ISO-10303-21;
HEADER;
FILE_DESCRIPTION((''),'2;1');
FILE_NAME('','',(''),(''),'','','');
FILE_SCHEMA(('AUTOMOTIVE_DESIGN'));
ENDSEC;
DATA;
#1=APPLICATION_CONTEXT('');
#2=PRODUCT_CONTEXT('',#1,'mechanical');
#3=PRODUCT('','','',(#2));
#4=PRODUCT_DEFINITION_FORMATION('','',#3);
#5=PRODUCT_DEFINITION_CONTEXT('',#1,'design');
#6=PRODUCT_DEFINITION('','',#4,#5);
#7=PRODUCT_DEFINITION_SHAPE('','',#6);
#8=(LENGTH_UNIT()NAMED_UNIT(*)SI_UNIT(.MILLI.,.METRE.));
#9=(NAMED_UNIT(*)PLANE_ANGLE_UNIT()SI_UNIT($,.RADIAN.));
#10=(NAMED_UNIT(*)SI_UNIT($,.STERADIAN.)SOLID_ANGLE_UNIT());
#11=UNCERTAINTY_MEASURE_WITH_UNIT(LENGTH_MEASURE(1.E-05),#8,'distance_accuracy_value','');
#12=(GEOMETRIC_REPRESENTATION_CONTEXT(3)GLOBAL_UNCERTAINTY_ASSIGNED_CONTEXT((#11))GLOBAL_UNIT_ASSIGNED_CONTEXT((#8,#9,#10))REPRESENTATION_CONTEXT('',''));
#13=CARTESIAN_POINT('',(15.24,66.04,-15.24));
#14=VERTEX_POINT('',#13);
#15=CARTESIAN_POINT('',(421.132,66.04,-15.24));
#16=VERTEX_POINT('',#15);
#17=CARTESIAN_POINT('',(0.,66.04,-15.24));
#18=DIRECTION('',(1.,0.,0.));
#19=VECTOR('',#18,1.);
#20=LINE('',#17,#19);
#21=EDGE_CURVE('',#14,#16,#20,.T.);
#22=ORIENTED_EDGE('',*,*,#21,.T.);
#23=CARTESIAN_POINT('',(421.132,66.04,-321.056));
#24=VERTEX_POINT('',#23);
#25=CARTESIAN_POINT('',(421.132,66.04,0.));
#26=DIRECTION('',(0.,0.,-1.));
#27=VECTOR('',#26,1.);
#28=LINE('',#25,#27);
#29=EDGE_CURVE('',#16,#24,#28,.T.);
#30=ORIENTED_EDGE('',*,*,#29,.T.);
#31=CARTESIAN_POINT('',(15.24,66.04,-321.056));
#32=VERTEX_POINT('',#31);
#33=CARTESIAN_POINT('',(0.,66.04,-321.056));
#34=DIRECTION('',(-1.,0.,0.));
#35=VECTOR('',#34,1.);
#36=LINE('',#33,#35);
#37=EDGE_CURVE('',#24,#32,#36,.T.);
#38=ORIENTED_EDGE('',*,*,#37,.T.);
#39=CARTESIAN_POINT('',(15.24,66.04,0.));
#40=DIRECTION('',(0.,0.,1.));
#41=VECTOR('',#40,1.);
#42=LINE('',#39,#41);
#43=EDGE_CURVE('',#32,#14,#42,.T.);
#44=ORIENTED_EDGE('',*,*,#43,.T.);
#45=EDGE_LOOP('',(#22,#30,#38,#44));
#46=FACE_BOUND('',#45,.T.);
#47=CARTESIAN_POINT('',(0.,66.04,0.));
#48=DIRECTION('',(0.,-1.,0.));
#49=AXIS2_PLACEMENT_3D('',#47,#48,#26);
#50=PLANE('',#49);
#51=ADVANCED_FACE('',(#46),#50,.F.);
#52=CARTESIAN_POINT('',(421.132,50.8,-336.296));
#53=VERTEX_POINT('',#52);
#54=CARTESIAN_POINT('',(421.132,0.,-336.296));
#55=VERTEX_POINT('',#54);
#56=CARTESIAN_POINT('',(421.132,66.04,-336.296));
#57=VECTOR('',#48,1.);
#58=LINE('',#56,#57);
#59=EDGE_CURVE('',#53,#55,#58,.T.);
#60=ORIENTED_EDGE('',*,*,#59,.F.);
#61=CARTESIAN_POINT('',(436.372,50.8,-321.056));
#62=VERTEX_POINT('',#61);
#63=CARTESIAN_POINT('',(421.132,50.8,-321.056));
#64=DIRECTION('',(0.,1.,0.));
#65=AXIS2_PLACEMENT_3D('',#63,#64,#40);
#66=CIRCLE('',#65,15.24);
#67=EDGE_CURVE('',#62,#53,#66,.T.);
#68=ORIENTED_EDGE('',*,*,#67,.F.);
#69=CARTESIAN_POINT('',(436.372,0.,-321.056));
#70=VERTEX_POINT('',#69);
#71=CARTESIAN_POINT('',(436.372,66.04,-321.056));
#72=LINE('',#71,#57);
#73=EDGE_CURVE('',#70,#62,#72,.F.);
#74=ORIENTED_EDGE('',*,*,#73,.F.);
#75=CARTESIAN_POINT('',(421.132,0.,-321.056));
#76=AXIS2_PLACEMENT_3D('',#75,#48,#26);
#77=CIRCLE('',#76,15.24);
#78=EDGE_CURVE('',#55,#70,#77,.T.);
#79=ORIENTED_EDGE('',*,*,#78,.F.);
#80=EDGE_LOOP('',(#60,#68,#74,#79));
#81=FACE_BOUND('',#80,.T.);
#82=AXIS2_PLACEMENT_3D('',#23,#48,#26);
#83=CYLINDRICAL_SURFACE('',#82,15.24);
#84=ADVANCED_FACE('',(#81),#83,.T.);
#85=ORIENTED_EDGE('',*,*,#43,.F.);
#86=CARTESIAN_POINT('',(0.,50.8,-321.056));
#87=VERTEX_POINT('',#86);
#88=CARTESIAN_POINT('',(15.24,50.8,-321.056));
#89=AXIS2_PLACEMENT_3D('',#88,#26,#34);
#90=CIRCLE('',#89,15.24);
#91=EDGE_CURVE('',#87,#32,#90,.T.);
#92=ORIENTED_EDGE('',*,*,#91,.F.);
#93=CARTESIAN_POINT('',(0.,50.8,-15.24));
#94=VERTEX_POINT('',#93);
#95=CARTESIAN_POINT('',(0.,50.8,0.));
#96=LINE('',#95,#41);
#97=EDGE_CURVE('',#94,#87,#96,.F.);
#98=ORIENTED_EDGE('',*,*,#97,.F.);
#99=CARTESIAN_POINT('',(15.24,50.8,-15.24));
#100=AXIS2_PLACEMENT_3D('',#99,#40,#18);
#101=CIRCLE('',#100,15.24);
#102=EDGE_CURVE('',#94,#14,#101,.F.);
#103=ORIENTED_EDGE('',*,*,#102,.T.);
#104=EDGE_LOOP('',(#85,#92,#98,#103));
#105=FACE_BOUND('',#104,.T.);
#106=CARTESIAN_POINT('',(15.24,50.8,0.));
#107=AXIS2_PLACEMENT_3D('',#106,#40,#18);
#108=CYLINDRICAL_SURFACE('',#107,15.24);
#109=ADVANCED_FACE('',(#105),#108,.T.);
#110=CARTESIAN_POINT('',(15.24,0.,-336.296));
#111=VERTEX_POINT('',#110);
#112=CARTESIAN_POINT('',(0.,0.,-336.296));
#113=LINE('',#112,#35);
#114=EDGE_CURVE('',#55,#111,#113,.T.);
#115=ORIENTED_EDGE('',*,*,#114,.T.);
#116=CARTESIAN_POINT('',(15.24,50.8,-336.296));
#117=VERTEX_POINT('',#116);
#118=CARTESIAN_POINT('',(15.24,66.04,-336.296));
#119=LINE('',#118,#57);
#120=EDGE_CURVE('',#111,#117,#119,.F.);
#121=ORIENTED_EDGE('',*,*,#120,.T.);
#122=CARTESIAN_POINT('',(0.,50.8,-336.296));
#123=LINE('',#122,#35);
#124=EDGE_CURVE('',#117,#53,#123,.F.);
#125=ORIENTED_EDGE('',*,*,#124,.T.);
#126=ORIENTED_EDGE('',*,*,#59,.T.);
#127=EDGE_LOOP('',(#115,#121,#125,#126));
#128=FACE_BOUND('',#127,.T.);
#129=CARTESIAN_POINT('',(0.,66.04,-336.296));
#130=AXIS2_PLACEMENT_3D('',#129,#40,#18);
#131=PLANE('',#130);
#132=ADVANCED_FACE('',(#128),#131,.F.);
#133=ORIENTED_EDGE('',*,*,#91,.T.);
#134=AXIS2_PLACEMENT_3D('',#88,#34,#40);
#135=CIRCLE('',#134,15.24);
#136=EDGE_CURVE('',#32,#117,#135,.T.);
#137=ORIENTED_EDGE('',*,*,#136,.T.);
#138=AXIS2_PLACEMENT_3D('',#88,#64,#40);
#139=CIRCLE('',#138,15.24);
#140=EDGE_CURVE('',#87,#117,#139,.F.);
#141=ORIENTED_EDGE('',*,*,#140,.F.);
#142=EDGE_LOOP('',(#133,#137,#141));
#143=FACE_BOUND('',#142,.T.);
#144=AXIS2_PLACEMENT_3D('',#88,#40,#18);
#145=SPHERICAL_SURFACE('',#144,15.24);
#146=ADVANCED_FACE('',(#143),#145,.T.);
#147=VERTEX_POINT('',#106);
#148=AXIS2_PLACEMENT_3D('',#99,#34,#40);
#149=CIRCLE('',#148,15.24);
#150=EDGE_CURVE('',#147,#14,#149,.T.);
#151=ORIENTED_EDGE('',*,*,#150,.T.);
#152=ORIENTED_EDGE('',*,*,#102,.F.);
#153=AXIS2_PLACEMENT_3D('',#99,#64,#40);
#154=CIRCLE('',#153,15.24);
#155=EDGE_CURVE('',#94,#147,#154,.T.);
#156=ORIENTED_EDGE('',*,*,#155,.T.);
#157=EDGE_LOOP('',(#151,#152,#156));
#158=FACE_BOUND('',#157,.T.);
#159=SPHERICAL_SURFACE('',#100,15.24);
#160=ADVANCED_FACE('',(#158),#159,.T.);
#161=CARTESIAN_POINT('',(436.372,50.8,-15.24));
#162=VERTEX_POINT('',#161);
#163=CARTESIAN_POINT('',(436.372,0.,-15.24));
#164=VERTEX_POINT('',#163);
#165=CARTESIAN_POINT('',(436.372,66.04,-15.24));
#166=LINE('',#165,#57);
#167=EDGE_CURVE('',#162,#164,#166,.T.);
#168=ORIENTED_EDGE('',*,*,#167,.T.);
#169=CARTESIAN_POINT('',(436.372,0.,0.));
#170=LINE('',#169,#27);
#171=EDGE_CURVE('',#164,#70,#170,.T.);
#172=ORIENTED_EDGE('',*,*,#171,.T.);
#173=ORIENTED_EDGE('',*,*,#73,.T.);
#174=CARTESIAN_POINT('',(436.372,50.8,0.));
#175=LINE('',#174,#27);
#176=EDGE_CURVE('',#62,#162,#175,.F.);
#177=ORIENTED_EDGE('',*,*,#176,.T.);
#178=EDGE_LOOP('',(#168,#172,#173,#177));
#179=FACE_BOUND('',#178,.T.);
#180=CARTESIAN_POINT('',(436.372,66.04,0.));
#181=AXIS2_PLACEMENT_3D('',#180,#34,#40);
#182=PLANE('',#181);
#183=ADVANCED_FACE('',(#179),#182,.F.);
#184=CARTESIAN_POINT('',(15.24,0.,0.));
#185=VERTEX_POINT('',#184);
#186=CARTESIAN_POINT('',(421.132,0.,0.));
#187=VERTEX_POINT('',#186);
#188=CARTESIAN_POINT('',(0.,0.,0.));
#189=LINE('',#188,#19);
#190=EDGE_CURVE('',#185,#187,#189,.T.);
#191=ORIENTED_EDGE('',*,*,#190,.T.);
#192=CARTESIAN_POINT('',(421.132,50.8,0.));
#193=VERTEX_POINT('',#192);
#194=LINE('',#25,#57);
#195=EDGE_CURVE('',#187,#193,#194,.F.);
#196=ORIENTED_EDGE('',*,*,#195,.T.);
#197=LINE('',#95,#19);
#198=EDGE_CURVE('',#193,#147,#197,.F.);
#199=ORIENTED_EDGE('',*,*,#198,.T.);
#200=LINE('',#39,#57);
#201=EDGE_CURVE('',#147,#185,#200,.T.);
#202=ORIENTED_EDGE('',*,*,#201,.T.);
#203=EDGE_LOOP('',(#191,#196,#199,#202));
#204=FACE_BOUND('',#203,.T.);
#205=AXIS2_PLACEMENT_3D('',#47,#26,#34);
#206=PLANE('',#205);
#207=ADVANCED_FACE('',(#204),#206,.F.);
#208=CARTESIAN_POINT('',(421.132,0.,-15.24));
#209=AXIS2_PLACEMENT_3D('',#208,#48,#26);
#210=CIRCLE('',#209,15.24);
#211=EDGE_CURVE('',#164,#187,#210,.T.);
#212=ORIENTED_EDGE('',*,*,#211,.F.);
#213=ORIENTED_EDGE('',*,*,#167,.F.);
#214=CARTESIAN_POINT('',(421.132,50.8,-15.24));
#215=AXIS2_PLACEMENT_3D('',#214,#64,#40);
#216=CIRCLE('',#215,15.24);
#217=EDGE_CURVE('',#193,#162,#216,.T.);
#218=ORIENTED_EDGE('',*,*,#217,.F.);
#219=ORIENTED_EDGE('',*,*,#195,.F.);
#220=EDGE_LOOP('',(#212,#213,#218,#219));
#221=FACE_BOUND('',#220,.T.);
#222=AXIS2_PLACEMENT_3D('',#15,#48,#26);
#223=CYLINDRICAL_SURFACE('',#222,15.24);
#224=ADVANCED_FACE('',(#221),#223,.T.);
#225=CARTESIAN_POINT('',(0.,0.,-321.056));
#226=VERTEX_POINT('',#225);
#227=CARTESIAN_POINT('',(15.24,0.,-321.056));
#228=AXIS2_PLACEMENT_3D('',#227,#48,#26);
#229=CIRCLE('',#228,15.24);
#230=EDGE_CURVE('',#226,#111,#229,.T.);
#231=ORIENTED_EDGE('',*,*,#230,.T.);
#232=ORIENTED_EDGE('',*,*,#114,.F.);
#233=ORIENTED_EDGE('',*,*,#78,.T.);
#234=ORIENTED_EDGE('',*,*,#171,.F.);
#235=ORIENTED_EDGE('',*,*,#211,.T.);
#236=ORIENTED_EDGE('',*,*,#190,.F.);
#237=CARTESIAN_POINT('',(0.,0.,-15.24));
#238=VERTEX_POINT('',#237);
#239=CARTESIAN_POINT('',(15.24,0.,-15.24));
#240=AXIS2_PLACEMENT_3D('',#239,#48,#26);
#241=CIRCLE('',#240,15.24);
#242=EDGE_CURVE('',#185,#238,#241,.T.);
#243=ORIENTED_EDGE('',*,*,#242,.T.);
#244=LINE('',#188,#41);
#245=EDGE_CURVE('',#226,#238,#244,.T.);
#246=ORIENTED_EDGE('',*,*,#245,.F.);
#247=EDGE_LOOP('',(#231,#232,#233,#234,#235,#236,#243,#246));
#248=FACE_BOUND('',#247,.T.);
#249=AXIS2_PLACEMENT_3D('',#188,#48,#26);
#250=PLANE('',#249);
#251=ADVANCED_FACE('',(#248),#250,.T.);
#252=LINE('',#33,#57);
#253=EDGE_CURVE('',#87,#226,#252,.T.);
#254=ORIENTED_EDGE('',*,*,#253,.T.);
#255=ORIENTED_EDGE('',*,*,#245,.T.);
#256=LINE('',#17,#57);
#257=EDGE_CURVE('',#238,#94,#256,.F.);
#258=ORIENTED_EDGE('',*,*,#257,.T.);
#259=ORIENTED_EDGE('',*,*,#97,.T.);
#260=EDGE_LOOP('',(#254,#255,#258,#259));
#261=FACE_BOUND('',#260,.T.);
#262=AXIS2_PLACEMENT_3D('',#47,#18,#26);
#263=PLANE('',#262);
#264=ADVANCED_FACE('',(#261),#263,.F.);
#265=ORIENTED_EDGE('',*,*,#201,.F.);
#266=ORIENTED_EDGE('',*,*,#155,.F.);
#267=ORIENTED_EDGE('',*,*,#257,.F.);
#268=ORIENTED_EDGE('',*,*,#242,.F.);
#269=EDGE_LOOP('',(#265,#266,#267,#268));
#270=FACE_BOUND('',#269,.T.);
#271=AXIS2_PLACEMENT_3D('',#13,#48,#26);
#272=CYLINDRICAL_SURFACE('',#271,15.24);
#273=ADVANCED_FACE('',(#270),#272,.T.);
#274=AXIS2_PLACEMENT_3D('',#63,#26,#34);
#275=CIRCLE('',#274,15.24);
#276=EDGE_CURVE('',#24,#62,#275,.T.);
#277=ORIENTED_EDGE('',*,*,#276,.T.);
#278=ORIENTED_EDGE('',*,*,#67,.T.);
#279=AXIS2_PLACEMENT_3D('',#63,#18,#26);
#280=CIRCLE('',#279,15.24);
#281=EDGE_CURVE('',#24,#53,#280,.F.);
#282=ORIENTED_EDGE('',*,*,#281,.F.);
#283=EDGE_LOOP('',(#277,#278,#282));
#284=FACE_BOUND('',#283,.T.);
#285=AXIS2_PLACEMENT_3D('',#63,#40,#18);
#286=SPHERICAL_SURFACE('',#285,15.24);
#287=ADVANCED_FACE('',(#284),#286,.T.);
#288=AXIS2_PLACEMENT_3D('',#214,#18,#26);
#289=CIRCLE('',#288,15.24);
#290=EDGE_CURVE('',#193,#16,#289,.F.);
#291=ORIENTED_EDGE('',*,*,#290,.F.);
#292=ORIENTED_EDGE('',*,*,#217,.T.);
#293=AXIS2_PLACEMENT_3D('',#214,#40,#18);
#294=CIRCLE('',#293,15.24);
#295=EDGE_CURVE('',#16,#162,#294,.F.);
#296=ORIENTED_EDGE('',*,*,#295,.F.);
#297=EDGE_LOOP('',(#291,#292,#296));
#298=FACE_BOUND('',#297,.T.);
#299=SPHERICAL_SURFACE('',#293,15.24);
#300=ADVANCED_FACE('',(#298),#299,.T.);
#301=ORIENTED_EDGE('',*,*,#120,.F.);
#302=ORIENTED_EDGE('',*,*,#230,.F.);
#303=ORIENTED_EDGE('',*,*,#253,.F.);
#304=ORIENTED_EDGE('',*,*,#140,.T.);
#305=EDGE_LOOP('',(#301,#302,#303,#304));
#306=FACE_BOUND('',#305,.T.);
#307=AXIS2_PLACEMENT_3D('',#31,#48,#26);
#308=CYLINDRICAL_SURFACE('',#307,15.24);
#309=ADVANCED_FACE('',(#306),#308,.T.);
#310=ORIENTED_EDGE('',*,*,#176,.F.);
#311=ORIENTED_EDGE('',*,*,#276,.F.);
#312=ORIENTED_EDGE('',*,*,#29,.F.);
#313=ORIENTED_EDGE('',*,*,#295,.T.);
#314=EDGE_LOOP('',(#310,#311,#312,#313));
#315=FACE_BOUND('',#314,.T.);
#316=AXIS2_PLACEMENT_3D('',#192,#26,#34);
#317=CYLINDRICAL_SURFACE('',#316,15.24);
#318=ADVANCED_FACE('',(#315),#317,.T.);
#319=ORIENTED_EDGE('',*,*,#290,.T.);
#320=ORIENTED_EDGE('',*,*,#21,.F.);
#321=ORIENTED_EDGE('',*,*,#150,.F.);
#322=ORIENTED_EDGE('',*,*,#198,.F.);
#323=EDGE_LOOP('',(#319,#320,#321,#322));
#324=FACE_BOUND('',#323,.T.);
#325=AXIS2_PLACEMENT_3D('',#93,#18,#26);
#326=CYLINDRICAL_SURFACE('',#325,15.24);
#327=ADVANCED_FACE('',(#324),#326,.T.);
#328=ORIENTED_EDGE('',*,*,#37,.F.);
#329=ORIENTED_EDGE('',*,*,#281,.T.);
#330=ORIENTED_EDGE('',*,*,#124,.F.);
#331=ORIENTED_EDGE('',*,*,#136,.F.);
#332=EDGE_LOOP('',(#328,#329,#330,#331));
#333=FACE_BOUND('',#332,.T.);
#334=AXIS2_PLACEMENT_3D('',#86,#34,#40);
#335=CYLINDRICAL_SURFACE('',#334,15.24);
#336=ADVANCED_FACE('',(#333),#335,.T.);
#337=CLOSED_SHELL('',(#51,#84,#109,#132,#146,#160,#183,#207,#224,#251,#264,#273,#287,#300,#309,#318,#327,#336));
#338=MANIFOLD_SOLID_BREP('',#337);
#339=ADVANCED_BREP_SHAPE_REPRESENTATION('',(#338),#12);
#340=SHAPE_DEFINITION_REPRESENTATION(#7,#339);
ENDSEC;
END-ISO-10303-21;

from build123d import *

# Parameters (mm, degrees)
SKETCH1_W           = 436.372
SKETCH1_H           = 336.296
BOSS_EXTRUDE1_DEPTH = 66.04
FILLET1_R           = 15.24


with BuildPart() as part:
    # Sketch1 → Boss-Extrude1 (new body)
    with BuildSketch(Plane(origin=(0, 0, 0), x_dir=(1, 0, 0), z_dir=(0, 1, 0))):
        with Locations((218.186, 168.148)):
            Rectangle(SKETCH1_W, SKETCH1_H)
    extrude(amount=BOSS_EXTRUDE1_DEPTH)

    # Fillet1
    fillet1_edges = [part.edges().sort_by_distance(p)[0] for p in [
        (436.372, 66.04, -168.148),
        (218.186, 66.04, -336.296),
        (0, 66.04, -168.148),
        (218.186, 66.04, 0),
        (0, 33.02, -336.296),
        (436.372, 33.02, -336.296),
        (436.372, 33.02, 0),
        (0, 33.02, 0),
    ]]
    fillet(fillet1_edges, radius=FILLET1_R)


solid = part.part
